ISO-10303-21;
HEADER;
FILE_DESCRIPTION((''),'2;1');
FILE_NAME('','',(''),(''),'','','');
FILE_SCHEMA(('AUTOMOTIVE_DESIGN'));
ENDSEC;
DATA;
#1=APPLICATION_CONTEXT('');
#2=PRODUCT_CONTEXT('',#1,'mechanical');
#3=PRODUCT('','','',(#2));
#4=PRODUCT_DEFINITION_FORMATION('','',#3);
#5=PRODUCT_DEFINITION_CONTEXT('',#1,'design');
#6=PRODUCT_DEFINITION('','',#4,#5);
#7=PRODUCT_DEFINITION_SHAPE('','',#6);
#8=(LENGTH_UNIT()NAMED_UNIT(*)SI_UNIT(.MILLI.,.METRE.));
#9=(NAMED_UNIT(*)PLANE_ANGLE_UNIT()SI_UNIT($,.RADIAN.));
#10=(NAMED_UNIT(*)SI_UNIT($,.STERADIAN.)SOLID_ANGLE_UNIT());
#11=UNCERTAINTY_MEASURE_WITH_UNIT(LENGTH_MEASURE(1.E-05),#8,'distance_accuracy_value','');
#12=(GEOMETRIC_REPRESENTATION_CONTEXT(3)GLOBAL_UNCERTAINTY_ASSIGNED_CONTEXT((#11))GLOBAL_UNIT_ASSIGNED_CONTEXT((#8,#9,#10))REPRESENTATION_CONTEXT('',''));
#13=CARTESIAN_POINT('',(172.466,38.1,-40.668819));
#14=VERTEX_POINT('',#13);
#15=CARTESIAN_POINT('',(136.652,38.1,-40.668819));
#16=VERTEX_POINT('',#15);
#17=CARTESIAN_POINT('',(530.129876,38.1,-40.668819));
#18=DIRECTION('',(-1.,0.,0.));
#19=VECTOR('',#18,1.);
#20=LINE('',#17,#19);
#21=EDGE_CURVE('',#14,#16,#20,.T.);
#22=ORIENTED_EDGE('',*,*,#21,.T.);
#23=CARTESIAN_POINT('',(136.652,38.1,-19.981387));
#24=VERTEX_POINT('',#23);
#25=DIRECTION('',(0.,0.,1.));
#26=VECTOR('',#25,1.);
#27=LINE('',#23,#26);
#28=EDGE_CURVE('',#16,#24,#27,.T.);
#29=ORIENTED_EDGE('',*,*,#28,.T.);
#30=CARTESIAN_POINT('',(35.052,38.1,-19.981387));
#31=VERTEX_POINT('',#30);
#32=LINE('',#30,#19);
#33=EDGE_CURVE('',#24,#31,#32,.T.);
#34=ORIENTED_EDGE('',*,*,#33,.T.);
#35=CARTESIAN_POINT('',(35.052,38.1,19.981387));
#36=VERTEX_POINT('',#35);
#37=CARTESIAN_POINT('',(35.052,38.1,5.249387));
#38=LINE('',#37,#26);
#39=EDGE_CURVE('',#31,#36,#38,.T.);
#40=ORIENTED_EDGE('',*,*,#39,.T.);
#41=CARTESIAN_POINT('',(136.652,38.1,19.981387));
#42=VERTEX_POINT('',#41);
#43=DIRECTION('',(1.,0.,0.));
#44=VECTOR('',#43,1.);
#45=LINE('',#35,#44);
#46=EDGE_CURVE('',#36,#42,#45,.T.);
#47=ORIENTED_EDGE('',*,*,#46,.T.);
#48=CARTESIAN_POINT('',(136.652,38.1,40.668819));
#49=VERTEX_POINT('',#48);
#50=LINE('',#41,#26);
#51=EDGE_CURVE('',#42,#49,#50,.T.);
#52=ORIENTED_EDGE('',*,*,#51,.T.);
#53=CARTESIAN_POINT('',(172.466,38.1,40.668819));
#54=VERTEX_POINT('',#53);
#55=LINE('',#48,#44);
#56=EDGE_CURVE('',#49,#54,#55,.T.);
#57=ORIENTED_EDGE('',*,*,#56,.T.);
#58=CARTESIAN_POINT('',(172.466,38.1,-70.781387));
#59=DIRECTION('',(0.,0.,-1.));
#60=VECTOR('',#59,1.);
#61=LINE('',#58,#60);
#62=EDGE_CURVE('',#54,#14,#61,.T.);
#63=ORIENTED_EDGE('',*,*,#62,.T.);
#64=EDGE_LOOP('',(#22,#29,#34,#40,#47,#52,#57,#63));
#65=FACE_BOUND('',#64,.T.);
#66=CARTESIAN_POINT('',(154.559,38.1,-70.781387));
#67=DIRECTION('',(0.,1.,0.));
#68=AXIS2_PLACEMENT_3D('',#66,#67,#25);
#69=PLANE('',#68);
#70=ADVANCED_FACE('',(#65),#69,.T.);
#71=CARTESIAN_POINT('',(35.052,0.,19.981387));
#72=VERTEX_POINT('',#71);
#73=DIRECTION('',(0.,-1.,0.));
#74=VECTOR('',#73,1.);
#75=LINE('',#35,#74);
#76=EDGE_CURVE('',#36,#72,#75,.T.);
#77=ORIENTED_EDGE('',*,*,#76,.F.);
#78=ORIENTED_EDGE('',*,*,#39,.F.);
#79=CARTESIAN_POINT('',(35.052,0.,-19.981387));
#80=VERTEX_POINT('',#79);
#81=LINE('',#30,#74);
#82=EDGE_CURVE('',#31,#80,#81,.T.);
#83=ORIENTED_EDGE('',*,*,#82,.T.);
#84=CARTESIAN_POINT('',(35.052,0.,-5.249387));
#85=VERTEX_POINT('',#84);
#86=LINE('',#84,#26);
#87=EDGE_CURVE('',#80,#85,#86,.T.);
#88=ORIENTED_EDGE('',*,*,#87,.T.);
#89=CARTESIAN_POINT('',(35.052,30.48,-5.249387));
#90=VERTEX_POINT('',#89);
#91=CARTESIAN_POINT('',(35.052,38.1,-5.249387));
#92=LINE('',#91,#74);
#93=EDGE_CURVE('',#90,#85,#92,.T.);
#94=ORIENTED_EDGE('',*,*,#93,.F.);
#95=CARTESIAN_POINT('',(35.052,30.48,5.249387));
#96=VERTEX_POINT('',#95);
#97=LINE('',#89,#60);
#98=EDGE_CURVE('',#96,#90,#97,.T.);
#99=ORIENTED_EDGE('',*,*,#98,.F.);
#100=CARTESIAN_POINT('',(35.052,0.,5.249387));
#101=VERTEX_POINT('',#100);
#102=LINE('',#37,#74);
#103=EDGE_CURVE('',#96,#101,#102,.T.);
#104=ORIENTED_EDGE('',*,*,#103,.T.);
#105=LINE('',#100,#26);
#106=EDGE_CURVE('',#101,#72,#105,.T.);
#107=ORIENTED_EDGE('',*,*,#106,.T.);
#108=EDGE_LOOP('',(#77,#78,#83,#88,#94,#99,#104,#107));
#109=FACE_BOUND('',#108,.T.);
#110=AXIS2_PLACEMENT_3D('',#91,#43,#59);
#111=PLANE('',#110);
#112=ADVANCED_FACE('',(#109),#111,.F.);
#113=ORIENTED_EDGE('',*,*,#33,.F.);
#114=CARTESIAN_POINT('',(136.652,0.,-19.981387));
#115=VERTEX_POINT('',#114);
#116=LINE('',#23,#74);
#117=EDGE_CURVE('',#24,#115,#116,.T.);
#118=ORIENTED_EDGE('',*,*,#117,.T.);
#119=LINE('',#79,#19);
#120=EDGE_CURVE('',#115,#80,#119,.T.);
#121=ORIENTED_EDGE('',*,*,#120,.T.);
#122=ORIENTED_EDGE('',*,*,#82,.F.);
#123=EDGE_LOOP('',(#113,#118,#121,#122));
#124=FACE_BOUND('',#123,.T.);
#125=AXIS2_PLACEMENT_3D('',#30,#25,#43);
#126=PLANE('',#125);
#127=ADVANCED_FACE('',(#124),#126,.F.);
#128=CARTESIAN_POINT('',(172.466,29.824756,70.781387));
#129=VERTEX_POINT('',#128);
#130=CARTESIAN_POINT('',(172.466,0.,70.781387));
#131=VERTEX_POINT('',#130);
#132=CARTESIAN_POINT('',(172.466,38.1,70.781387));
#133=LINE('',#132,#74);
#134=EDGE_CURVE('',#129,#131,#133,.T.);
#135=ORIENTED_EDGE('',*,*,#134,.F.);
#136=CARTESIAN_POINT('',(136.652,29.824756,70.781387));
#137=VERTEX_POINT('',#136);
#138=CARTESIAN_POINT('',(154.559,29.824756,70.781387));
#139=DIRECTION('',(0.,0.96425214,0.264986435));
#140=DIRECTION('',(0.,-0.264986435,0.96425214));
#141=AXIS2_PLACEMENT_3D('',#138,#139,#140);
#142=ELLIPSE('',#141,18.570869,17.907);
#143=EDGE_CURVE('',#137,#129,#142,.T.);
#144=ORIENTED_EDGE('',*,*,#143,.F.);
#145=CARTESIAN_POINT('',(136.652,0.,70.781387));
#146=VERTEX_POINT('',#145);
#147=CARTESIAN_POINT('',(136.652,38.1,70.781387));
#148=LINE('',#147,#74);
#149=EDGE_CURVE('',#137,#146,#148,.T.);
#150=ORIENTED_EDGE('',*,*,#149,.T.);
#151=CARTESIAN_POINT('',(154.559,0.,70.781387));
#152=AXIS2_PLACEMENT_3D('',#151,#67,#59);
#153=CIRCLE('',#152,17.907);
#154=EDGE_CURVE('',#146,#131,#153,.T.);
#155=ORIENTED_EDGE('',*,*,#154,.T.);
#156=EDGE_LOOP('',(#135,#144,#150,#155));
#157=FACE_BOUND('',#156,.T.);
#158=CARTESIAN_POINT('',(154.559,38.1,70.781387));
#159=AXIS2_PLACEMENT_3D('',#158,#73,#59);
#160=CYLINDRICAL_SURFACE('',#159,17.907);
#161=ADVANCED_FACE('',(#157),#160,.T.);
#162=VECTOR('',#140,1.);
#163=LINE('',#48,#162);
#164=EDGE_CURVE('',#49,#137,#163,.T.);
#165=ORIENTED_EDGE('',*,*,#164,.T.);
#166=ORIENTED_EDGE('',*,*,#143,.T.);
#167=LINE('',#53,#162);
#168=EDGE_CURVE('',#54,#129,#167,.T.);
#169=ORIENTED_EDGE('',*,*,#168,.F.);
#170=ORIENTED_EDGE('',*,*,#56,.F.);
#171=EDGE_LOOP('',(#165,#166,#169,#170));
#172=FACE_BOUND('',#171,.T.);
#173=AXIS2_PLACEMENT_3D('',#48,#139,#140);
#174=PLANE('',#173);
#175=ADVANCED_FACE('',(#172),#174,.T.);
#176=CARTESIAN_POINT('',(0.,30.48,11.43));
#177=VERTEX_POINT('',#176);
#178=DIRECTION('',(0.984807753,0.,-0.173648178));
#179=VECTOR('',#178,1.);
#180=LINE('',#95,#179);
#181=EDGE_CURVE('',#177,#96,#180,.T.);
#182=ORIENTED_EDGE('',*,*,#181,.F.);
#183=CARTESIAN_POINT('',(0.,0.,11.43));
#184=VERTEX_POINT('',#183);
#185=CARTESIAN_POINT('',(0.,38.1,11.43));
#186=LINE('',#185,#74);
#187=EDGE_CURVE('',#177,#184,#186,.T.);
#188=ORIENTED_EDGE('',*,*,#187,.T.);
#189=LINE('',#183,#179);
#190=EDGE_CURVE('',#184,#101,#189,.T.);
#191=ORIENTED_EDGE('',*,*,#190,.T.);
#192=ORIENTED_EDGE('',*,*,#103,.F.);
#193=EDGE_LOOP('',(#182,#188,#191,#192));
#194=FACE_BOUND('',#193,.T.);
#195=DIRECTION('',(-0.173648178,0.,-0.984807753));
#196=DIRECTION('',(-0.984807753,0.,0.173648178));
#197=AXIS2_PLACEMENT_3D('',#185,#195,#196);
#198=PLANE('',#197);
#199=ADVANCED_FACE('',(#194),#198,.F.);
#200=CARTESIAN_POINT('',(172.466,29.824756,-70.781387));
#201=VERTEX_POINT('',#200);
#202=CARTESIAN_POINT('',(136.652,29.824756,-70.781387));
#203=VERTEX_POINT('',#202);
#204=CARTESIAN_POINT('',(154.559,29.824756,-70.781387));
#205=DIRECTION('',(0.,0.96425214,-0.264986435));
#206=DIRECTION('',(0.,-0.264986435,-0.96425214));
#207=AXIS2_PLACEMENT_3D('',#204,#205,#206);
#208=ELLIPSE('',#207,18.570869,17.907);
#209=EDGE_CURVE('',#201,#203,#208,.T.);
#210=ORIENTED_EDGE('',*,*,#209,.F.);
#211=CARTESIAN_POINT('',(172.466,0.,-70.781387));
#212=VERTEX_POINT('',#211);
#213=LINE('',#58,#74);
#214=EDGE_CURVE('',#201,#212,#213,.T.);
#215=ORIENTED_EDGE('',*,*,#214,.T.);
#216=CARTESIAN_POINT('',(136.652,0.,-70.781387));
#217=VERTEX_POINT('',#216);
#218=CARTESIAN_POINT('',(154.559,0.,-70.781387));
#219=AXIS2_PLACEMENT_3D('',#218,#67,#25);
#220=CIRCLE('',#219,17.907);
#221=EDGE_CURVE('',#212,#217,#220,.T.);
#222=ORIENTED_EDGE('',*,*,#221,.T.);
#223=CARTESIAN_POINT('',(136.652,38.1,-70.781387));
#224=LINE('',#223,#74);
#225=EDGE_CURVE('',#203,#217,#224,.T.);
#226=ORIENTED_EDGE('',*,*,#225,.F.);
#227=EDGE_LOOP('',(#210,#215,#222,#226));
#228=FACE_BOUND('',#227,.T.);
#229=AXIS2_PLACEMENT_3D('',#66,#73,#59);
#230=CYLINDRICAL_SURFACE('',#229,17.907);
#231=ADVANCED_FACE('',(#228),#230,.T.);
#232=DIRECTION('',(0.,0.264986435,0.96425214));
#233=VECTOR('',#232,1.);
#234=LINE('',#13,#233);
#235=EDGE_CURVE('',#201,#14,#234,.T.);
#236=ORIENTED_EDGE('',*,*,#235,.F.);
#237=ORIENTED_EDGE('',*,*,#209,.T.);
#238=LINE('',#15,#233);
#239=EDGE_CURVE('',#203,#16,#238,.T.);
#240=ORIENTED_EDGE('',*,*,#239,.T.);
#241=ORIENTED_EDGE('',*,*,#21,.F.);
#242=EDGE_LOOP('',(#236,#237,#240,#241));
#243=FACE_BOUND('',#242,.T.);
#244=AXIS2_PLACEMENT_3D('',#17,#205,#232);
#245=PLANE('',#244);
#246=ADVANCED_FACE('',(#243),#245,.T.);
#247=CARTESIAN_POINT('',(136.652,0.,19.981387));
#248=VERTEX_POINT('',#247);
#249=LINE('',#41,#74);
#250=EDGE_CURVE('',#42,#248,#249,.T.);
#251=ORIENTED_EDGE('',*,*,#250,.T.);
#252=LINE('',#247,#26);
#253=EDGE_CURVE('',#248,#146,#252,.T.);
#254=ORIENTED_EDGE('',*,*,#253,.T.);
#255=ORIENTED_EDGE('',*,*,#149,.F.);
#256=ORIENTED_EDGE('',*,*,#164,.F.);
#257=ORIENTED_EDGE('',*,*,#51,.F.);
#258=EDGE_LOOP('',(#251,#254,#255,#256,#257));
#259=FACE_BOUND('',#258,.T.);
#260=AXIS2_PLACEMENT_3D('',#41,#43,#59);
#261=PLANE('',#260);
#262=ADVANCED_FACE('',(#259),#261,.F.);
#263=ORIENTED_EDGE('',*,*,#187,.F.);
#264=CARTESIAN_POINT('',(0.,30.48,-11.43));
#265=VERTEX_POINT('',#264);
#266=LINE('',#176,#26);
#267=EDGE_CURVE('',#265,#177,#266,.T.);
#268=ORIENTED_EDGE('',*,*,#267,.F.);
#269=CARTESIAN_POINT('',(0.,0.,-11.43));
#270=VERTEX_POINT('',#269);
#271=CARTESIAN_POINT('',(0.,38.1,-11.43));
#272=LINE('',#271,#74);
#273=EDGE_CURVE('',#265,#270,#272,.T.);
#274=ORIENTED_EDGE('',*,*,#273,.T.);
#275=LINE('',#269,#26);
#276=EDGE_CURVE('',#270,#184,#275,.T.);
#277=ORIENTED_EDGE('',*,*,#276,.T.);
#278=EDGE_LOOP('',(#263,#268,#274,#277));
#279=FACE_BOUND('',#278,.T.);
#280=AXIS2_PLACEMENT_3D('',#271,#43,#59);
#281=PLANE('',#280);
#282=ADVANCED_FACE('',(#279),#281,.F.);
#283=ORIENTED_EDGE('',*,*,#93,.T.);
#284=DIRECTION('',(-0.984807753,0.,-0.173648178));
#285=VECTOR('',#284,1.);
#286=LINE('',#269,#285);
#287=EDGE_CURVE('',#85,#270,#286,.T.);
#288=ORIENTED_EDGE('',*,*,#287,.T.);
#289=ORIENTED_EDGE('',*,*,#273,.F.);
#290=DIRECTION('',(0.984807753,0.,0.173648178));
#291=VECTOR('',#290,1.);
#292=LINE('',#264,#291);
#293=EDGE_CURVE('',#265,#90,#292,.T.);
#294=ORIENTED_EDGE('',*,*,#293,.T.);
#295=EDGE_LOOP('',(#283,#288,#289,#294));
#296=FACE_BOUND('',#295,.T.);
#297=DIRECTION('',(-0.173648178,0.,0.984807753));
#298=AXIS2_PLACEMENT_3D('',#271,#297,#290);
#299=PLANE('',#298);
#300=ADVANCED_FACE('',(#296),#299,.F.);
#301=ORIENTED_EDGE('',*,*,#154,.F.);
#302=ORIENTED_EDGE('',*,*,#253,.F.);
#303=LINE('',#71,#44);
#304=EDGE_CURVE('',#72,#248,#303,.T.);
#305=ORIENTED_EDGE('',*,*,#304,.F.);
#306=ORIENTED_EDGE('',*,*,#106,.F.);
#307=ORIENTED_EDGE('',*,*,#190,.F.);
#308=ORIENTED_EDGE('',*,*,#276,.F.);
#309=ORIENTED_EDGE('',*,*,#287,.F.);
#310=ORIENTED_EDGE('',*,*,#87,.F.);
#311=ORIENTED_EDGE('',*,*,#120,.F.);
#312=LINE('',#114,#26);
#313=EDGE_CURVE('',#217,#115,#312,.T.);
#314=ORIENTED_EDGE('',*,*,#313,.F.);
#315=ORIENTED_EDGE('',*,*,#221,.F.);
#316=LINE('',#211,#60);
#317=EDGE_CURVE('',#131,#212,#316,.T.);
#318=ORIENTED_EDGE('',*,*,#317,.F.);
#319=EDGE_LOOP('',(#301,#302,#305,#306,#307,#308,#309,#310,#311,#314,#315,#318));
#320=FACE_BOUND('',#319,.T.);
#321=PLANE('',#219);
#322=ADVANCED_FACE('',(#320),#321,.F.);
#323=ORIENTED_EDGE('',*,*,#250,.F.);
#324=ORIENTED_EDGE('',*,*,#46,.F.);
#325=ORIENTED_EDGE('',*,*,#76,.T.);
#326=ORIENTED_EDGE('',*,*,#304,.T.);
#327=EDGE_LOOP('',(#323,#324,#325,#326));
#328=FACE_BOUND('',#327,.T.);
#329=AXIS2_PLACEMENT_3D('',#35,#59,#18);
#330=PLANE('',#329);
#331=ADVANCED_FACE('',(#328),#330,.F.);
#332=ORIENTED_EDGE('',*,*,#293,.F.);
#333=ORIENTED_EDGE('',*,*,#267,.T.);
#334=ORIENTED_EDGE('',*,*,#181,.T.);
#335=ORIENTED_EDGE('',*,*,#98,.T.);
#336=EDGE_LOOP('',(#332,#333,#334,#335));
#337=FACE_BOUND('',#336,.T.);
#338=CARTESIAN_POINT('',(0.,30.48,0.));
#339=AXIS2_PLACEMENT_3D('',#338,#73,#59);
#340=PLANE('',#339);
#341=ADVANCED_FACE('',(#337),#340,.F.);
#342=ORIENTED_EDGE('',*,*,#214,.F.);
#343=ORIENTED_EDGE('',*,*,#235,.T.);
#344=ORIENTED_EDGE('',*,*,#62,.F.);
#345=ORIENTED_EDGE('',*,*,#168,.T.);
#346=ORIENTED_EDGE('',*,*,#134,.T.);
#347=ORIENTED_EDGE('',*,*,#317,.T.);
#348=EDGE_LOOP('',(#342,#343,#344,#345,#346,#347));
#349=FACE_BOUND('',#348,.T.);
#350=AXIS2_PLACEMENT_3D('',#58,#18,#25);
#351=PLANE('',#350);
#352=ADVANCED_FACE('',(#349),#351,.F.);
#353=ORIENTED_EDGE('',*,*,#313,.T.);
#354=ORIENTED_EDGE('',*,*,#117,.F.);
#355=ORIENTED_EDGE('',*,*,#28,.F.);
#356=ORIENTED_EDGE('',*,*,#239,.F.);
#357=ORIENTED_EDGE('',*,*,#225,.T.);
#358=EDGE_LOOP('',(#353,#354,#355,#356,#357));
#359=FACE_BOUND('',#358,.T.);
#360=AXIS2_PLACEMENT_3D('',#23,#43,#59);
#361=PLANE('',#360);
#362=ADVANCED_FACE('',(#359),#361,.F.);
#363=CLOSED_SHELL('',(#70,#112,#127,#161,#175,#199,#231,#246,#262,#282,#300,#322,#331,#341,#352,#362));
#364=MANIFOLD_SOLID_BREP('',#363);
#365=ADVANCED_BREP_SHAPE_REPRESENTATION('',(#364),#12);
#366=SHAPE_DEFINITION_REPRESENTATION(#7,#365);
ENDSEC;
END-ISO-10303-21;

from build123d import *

# Parameters (mm, degrees)
BOSS_EXTRUDE1_DEPTH     = 38.1
CUT_EXTRUDE_THIN5_DEPTH = 35.814
CUT_EXTRUDE9_DEPTH      = 198.640484432
CUT_EXTRUDE9_DEPTH_BACK = 35.814
CUT_EXTRUDE10_DEPTH     = 7.62


with BuildPart() as part:
    # Sketch1 → Boss-Extrude1 (new body)
    with BuildSketch(Plane(origin=(0, 0, 0), x_dir=(1, 0, 0), z_dir=(0, 1, 0))):
        with BuildLine():
            Line((0, 11.43), (0, -11.43))
            Line((0, -11.43), (35.052, -5.249386672))
            Line((35.052, -5.249386672), (35.052, -19.981386672))
            Line((35.052, -19.981386672), (136.652, -19.981386672))
            Line((136.652, -19.981386672), (136.652, -70.781386672))
            ThreePointArc((136.652, -70.781386672), (154.559, -88.688386672), (172.466, -70.781386672))
            Line((172.466, -70.781386672), (172.466, 70.781386672))
            ThreePointArc((172.466, 70.781386672), (154.559, 88.688386672), (136.652, 70.781386672))
            Line((136.652, 70.781386672), (136.652, 19.981386672))
            Line((136.652, 19.981386672), (35.052, 19.981386672))
            Line((35.052, 19.981386672), (35.052, 5.249386672))
            Line((35.052, 5.249386672), (0, 11.43))
        make_face()
    extrude(amount=BOSS_EXTRUDE1_DEPTH)

    # Sketch3 → Cut-Extrude-Thin5 (cut)
    with BuildSketch(Plane(origin=(172.466, 0, 0), x_dir=(0, 0, -1), z_dir=(1, 0, 0))):
        Polygon((-40.668819045, 38.1), (-88.688386672, 24.903727481), (-102.149697549, 73.887736193), (-54.130129922, 87.084008712), align=None)
    extrude(amount=-CUT_EXTRUDE_THIN5_DEPTH, mode=Mode.SUBTRACT)

    # Sketch4 → Cut-Extrude9 (cut, two sides: drawn at the far end of the back side and taken through both)
    with BuildSketch(Plane(origin=(172.466, 0, 0), x_dir=(0, 0, -1), z_dir=(1, 0, 0)).offset(-CUT_EXTRUDE9_DEPTH_BACK)):
        Polygon((-314.400611186, 135.676742064), (40.668819045, 38.1), (88.688386672, 24.903727481), (443.757816904, -72.673014582), (638.911301031, 637.465845881), (-119.247127059, 845.815602527), align=None)
    extrude(amount=CUT_EXTRUDE9_DEPTH + CUT_EXTRUDE9_DEPTH_BACK, mode=Mode.SUBTRACT)

    # Sketch5 → Cut-Extrude10 (cut)
    with BuildSketch(Plane(origin=(0, 38.1, 0), x_dir=(1, 0, 0), z_dir=(0, 1, 0))):
        Polygon((0, -11.43), (0, 11.43), (0.210478784, 11.603037745), (35.052, 5.249386672), (35.052, -5.249386672), align=None)
    extrude(amount=-CUT_EXTRUDE10_DEPTH, mode=Mode.SUBTRACT)


solid = part.part
